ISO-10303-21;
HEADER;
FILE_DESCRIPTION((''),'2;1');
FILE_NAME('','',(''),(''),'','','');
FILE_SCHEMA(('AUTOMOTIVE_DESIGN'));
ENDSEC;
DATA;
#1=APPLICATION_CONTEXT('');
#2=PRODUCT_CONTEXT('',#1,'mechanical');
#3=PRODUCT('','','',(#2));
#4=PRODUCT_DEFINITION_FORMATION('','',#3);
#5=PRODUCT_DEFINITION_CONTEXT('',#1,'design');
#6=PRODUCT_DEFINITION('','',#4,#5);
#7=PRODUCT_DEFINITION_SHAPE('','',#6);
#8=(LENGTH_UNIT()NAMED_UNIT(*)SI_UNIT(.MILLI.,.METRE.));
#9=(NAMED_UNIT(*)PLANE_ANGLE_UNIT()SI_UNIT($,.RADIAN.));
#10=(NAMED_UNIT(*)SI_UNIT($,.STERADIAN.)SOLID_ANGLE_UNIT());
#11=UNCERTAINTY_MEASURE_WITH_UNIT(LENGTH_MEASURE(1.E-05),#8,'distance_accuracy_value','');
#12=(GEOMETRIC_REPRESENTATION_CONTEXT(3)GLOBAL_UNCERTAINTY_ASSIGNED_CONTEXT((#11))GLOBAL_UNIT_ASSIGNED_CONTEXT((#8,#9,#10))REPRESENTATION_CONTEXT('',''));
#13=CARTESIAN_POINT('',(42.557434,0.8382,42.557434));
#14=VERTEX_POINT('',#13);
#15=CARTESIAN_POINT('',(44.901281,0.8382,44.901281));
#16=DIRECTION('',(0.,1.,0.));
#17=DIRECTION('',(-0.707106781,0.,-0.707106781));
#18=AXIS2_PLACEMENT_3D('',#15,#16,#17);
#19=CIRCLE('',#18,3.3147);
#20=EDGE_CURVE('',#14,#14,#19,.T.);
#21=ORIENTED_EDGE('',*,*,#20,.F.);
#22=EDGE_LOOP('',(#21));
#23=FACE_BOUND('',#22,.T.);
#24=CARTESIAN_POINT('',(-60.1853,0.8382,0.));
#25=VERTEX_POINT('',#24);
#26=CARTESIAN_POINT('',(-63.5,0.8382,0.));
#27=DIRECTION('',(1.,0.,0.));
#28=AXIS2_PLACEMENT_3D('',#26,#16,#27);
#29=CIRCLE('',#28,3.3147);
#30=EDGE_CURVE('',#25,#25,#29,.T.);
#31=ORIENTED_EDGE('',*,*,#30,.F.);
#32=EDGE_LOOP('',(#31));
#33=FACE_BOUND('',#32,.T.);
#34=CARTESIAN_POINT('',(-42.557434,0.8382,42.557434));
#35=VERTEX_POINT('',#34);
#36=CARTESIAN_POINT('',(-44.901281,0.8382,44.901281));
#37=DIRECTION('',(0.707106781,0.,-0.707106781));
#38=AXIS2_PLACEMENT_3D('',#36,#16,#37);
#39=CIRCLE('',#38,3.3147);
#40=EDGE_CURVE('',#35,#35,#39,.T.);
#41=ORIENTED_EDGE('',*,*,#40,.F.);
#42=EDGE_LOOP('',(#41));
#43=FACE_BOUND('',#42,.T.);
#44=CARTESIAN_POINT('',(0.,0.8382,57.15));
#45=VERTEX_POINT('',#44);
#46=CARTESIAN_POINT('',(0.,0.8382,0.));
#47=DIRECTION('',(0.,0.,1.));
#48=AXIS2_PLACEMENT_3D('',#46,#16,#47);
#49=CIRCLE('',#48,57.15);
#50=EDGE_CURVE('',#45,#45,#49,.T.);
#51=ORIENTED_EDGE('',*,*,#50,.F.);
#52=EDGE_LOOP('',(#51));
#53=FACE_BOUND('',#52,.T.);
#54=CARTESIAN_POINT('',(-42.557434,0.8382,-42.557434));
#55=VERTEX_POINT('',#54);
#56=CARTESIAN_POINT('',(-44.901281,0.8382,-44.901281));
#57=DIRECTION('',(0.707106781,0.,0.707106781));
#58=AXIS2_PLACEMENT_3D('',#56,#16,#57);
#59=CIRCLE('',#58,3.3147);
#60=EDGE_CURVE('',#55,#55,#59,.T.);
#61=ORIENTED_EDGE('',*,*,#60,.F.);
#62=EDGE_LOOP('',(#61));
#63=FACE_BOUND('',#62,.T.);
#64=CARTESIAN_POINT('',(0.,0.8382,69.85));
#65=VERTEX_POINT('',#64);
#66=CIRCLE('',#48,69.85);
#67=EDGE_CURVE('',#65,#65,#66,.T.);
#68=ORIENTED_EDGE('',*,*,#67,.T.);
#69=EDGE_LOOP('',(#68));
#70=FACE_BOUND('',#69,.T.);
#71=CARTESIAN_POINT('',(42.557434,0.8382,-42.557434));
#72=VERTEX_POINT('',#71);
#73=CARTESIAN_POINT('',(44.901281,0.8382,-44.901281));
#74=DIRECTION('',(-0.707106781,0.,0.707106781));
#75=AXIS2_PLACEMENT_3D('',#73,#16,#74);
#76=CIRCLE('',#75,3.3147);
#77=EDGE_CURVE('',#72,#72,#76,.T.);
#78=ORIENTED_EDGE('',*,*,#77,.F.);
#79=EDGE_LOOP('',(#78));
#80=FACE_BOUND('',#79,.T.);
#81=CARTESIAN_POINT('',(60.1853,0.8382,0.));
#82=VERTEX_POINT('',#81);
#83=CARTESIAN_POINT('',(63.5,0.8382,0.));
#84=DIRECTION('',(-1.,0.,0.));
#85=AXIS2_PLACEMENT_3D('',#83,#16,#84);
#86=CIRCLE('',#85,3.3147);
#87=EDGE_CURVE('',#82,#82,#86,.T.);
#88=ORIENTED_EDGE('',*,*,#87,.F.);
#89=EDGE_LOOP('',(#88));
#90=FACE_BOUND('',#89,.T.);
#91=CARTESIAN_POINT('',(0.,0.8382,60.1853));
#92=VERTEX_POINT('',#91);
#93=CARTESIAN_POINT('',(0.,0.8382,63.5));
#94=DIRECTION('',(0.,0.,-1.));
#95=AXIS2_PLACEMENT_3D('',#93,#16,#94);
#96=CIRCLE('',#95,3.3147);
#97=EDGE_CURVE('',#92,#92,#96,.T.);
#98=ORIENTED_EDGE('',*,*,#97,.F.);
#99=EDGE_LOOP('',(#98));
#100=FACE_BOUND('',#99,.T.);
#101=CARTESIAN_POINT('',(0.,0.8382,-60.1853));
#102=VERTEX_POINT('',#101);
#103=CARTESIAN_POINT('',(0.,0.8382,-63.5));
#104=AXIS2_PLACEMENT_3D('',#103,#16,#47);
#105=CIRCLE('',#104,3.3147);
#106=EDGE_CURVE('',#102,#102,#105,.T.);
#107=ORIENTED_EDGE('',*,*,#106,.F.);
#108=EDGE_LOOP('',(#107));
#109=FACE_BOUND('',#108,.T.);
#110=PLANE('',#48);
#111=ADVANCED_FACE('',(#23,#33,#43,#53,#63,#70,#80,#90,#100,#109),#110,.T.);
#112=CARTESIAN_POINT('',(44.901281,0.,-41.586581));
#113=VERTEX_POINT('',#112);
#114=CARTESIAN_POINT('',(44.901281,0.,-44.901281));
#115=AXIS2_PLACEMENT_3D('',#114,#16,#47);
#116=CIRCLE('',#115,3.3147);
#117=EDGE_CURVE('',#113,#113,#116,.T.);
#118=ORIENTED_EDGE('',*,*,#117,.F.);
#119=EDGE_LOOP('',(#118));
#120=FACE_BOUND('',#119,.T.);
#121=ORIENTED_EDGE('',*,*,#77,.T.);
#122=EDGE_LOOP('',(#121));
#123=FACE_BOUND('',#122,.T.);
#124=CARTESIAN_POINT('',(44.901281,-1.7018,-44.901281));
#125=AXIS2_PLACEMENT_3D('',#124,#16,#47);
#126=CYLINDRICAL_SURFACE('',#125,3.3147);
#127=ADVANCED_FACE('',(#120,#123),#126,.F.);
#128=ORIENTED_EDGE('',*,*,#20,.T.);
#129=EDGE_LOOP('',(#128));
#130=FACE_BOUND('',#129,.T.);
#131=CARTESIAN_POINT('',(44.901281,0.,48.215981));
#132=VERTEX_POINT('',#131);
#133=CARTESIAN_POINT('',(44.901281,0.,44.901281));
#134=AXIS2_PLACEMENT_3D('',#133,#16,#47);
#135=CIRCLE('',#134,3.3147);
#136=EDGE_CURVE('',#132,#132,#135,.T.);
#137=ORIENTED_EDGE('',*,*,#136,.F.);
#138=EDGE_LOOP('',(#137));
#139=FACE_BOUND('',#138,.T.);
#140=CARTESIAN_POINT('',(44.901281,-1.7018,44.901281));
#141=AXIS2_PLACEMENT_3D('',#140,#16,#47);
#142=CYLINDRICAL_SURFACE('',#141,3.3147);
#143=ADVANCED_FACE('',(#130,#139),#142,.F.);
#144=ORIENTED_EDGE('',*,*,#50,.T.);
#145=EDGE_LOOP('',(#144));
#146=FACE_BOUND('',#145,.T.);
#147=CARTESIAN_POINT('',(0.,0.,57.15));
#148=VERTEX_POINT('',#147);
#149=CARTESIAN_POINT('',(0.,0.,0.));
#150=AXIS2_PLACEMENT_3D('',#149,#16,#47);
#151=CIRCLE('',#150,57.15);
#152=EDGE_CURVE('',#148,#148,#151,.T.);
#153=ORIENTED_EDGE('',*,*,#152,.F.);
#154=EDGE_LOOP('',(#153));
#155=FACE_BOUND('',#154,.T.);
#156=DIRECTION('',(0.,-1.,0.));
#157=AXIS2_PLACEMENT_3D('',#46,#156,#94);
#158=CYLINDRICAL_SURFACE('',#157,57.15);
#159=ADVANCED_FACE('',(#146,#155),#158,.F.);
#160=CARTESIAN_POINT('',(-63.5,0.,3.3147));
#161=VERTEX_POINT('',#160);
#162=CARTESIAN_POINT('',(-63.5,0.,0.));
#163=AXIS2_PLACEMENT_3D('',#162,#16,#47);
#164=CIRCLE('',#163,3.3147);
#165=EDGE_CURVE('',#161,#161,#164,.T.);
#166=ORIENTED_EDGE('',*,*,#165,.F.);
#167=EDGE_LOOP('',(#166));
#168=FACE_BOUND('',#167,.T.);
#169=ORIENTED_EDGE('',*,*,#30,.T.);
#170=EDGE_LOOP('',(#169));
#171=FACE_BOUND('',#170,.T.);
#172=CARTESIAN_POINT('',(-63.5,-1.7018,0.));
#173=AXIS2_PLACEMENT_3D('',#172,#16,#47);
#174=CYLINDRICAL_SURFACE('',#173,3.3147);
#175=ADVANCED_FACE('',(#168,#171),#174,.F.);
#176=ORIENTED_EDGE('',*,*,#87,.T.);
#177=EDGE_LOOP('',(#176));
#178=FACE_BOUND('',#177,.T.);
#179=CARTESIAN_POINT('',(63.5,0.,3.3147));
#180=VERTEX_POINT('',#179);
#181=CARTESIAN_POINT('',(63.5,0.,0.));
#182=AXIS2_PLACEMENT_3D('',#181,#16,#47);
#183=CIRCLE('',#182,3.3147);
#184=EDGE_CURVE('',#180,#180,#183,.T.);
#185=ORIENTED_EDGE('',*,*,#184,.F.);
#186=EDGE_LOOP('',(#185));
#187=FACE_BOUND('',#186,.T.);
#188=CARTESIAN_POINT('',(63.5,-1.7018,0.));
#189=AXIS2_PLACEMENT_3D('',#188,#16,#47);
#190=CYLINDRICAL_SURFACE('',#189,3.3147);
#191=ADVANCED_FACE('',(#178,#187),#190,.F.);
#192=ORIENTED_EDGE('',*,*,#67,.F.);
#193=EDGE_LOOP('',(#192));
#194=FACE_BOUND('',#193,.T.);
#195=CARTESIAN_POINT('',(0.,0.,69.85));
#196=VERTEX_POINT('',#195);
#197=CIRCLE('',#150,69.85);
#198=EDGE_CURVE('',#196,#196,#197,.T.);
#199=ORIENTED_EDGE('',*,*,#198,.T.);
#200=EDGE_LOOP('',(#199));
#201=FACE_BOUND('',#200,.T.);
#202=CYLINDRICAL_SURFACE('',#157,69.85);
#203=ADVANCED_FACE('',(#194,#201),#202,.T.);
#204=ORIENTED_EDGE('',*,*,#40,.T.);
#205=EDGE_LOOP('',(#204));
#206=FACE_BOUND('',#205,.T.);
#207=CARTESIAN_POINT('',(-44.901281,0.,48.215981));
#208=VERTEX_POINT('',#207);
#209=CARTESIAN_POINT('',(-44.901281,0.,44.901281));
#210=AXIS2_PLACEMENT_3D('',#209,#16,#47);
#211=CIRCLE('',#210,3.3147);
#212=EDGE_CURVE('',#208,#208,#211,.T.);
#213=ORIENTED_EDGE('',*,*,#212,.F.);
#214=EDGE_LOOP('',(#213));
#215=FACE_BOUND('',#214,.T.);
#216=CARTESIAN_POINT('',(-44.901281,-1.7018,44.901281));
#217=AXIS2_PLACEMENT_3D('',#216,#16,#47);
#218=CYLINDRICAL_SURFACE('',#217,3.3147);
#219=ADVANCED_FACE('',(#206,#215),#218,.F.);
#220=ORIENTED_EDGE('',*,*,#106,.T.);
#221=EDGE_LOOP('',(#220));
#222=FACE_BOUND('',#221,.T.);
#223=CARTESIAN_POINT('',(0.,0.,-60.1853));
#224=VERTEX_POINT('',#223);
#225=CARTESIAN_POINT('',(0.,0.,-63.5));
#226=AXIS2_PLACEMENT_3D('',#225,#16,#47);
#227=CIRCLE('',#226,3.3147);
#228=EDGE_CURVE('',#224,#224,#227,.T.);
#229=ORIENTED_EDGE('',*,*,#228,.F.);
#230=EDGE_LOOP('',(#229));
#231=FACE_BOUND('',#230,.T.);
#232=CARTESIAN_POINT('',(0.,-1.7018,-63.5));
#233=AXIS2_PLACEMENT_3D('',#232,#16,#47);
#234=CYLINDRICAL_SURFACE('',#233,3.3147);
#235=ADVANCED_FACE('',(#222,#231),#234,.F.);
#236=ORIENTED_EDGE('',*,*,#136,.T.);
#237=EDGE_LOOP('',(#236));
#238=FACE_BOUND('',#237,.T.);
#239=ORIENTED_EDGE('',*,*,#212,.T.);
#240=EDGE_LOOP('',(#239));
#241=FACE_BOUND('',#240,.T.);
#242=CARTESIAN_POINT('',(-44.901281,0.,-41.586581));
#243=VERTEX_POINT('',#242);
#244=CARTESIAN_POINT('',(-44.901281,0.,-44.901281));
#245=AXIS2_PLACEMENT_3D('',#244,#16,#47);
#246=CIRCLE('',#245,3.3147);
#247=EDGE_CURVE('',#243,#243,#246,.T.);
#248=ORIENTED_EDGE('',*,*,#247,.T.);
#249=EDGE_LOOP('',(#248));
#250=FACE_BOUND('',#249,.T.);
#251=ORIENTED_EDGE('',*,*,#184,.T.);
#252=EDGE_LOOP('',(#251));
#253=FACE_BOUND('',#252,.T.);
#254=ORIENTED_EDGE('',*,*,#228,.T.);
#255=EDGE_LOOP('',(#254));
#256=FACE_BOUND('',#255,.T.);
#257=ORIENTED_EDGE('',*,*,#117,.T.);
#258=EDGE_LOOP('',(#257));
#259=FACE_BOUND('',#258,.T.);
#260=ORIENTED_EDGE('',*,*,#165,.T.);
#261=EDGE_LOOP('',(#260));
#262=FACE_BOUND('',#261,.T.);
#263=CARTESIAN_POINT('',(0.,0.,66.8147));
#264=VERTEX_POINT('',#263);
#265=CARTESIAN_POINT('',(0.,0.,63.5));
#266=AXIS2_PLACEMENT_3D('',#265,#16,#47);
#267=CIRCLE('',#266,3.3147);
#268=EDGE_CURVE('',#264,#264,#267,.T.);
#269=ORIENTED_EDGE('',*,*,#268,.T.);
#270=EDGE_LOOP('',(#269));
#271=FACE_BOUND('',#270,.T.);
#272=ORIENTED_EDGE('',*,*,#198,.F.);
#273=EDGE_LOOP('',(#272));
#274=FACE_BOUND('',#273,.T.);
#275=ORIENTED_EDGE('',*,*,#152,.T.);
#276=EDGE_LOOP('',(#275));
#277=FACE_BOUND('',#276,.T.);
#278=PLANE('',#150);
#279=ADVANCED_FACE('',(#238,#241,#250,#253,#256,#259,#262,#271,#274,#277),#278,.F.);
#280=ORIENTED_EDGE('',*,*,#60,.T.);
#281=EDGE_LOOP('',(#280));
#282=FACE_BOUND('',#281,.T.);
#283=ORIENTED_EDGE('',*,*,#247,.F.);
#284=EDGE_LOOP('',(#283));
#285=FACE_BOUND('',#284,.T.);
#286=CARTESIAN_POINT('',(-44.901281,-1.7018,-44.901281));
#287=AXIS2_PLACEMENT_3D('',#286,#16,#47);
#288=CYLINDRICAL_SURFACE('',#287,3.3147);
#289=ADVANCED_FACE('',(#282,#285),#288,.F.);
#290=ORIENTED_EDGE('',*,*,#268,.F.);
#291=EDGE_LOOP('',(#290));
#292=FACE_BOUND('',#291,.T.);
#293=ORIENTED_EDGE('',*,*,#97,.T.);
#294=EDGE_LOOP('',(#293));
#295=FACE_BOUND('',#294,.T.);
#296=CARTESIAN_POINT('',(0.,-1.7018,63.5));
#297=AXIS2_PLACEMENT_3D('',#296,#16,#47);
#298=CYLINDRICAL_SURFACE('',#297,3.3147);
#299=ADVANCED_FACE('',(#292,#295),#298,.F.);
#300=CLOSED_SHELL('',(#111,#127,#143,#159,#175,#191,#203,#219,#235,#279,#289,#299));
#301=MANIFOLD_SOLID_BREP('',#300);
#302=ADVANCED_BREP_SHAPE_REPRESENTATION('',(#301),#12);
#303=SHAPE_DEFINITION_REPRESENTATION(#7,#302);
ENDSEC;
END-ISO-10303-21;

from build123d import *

# Parameters (mm, degrees)
SKETCH1_R           = 69.85
SKETCH1_R_2         = 57.15
BOSS_EXTRUDE1_DEPTH = 0.8382
SKETCH2_R           = 3.3147
CUT_EXTRUDE1_DEPTH  = 2.54
CIRPATTERN1_COUNT   = 8


with BuildPart() as part:
    # Sketch1 → Boss-Extrude1 (new body)
    with BuildSketch(Plane(origin=(0, 0, 0), x_dir=(1, 0, 0), z_dir=(0, 1, 0))):
        Circle(SKETCH1_R)
        Circle(SKETCH1_R_2, mode=Mode.SUBTRACT)
    extrude(amount=BOSS_EXTRUDE1_DEPTH)

    # Sketch2 → Cut-Extrude1 (cut)
    with BuildSketch(Plane(origin=(0, 0.8382, 0), x_dir=(1, 0, 0), z_dir=(0, 1, 0))):
        with Locations((0, 63.5)):
            Circle(SKETCH2_R)
    cut_extrude1 = extrude(amount=-CUT_EXTRUDE1_DEPTH, mode=Mode.SUBTRACT)

    # CirPattern1: Cut-Extrude1 ×8 about axis
    cirpattern1_axis = Axis((0, -0.04191, 0), (0, 1, 0))
    for i in range(1, CIRPATTERN1_COUNT):
        add(cut_extrude1.rotate(cirpattern1_axis, i * 360 / CIRPATTERN1_COUNT), mode=Mode.SUBTRACT)


solid = part.part
